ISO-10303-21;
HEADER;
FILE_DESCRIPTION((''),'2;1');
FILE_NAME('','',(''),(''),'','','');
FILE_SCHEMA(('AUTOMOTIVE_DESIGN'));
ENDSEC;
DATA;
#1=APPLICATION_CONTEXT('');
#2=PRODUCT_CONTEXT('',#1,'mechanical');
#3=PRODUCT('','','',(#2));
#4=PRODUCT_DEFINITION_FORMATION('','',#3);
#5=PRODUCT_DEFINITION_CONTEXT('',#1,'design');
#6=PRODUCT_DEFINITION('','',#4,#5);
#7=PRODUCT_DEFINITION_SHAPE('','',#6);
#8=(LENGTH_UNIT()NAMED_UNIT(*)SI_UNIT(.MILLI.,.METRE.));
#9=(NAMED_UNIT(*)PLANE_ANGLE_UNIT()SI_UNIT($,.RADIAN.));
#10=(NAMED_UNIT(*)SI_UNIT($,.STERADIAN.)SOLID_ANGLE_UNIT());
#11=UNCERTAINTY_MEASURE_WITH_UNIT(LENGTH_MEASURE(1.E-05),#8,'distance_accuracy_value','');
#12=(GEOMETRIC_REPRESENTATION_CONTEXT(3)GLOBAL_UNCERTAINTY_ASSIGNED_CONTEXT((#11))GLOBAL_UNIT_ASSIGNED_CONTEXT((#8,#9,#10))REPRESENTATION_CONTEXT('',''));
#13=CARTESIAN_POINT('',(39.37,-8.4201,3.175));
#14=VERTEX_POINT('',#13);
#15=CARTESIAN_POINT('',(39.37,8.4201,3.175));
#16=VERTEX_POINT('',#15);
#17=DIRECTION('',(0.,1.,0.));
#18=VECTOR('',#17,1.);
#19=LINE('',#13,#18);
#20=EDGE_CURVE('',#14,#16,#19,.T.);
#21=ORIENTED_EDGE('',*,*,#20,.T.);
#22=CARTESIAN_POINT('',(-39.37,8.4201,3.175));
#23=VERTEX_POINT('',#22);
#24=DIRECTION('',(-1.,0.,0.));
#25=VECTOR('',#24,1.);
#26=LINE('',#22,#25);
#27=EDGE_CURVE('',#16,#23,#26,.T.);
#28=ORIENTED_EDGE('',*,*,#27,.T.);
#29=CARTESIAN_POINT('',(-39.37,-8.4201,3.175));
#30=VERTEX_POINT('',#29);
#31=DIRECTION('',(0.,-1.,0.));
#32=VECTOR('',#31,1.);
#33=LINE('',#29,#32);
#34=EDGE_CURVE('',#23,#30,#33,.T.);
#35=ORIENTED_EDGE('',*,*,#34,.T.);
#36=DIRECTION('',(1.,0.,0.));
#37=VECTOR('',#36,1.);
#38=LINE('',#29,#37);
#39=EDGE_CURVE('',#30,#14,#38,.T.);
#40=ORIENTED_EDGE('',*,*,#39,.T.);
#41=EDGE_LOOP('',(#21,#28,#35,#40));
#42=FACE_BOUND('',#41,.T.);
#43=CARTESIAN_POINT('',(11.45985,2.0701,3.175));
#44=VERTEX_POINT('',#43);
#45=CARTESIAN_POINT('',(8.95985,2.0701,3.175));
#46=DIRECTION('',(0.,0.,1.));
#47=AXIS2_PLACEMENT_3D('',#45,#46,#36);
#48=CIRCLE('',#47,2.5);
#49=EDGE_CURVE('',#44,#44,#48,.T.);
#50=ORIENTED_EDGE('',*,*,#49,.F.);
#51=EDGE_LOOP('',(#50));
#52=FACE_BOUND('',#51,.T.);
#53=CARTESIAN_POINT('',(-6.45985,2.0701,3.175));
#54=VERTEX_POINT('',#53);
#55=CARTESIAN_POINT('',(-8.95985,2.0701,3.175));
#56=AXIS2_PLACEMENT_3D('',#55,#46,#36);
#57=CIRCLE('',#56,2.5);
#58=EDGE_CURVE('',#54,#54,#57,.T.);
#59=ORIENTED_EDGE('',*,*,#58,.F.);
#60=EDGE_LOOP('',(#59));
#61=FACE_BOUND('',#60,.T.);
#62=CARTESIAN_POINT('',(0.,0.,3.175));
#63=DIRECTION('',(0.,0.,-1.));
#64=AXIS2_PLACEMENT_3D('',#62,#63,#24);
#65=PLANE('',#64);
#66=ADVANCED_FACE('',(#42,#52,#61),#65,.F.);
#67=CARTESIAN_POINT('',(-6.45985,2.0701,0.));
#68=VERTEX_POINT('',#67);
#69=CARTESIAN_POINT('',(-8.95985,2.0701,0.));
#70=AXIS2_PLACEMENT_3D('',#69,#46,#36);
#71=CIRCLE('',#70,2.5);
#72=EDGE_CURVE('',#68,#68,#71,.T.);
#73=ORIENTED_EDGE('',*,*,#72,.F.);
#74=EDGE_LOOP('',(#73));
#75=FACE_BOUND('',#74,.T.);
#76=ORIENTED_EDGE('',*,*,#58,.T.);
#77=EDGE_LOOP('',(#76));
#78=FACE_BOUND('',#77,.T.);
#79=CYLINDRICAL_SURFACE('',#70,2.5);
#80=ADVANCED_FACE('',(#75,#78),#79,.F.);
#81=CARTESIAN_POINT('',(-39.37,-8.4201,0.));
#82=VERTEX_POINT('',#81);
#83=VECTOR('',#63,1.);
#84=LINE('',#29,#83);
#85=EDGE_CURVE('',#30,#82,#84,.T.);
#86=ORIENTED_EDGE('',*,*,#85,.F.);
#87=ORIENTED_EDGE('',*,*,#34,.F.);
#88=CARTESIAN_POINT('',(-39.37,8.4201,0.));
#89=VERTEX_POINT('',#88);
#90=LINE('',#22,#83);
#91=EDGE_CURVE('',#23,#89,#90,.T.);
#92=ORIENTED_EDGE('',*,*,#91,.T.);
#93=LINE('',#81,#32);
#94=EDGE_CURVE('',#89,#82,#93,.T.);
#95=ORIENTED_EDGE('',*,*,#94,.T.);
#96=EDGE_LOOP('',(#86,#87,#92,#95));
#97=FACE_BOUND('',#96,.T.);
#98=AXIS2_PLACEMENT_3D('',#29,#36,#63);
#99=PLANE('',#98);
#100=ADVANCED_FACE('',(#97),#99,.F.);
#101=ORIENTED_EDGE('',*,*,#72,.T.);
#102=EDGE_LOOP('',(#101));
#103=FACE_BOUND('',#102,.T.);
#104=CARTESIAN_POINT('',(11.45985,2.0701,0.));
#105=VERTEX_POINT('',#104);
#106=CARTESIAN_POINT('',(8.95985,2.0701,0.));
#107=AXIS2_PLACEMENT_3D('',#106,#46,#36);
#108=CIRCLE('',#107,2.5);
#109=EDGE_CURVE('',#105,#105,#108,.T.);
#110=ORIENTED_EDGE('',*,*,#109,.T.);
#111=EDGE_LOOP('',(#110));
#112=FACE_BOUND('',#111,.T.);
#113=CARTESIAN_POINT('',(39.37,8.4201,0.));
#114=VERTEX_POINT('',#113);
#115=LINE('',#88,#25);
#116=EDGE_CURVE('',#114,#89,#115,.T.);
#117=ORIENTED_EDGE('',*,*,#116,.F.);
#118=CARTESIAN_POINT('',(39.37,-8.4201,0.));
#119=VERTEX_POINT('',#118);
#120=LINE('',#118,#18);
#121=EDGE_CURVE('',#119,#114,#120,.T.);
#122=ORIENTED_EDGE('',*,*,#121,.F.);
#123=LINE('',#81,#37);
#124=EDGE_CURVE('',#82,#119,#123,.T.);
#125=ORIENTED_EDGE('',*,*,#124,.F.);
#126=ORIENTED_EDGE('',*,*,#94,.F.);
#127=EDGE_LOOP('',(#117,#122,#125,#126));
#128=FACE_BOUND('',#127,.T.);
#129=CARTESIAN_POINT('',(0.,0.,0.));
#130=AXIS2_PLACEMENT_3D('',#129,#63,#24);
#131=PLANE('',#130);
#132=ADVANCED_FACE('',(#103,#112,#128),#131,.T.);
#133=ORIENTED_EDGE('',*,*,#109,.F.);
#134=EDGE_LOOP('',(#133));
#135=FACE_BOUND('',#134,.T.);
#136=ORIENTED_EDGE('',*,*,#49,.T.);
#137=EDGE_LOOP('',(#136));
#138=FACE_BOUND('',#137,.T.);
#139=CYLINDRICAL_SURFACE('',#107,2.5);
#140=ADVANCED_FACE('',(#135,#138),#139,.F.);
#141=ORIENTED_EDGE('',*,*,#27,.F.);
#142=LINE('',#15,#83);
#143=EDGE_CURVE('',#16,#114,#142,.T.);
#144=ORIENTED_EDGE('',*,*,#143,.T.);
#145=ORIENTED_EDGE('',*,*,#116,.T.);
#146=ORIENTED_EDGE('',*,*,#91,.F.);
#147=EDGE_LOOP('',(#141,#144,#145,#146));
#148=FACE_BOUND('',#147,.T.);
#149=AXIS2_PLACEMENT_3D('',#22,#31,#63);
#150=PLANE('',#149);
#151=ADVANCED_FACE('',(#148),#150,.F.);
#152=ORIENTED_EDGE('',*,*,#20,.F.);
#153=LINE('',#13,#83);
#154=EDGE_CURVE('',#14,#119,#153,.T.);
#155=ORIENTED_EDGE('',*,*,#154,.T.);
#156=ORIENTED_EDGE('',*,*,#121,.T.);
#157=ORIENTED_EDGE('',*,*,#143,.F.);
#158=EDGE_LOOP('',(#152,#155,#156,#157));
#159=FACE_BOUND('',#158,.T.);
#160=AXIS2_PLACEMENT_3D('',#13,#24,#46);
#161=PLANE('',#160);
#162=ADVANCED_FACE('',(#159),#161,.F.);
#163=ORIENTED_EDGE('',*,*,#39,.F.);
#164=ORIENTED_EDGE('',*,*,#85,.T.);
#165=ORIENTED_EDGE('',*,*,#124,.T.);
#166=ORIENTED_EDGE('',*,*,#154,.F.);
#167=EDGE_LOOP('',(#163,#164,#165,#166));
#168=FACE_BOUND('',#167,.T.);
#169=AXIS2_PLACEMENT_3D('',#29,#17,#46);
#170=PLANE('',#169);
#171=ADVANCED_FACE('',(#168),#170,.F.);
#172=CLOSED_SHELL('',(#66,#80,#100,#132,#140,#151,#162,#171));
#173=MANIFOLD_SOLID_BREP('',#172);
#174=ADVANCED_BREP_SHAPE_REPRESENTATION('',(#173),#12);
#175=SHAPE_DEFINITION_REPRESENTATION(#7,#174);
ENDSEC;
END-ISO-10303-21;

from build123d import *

# Parameters (mm, degrees)
SKETCH1_W           = 78.74
SKETCH1_H           = 16.8402
BOSS_EXTRUDE1_DEPTH = 3.175
SKETCH2_R           = 2.5
CUT_EXTRUDE1_DEPTH  = 4.175


with BuildPart() as part:
    # Sketch1 → Boss-Extrude1 (new body)
    with BuildSketch(Plane.XY):
        Rectangle(SKETCH1_W, SKETCH1_H)
    extrude(amount=BOSS_EXTRUDE1_DEPTH)

    # Sketch2 → Cut-Extrude1 (cut, through all)
    with BuildSketch(Plane.XY.offset(3.175)):
        with Locations((-8.95985, 2.0701)):
            Circle(SKETCH2_R)
        with Locations((8.95985, 2.0701)):
            Circle(SKETCH2_R)
    extrude(amount=-CUT_EXTRUDE1_DEPTH, mode=Mode.SUBTRACT)


solid = part.part
